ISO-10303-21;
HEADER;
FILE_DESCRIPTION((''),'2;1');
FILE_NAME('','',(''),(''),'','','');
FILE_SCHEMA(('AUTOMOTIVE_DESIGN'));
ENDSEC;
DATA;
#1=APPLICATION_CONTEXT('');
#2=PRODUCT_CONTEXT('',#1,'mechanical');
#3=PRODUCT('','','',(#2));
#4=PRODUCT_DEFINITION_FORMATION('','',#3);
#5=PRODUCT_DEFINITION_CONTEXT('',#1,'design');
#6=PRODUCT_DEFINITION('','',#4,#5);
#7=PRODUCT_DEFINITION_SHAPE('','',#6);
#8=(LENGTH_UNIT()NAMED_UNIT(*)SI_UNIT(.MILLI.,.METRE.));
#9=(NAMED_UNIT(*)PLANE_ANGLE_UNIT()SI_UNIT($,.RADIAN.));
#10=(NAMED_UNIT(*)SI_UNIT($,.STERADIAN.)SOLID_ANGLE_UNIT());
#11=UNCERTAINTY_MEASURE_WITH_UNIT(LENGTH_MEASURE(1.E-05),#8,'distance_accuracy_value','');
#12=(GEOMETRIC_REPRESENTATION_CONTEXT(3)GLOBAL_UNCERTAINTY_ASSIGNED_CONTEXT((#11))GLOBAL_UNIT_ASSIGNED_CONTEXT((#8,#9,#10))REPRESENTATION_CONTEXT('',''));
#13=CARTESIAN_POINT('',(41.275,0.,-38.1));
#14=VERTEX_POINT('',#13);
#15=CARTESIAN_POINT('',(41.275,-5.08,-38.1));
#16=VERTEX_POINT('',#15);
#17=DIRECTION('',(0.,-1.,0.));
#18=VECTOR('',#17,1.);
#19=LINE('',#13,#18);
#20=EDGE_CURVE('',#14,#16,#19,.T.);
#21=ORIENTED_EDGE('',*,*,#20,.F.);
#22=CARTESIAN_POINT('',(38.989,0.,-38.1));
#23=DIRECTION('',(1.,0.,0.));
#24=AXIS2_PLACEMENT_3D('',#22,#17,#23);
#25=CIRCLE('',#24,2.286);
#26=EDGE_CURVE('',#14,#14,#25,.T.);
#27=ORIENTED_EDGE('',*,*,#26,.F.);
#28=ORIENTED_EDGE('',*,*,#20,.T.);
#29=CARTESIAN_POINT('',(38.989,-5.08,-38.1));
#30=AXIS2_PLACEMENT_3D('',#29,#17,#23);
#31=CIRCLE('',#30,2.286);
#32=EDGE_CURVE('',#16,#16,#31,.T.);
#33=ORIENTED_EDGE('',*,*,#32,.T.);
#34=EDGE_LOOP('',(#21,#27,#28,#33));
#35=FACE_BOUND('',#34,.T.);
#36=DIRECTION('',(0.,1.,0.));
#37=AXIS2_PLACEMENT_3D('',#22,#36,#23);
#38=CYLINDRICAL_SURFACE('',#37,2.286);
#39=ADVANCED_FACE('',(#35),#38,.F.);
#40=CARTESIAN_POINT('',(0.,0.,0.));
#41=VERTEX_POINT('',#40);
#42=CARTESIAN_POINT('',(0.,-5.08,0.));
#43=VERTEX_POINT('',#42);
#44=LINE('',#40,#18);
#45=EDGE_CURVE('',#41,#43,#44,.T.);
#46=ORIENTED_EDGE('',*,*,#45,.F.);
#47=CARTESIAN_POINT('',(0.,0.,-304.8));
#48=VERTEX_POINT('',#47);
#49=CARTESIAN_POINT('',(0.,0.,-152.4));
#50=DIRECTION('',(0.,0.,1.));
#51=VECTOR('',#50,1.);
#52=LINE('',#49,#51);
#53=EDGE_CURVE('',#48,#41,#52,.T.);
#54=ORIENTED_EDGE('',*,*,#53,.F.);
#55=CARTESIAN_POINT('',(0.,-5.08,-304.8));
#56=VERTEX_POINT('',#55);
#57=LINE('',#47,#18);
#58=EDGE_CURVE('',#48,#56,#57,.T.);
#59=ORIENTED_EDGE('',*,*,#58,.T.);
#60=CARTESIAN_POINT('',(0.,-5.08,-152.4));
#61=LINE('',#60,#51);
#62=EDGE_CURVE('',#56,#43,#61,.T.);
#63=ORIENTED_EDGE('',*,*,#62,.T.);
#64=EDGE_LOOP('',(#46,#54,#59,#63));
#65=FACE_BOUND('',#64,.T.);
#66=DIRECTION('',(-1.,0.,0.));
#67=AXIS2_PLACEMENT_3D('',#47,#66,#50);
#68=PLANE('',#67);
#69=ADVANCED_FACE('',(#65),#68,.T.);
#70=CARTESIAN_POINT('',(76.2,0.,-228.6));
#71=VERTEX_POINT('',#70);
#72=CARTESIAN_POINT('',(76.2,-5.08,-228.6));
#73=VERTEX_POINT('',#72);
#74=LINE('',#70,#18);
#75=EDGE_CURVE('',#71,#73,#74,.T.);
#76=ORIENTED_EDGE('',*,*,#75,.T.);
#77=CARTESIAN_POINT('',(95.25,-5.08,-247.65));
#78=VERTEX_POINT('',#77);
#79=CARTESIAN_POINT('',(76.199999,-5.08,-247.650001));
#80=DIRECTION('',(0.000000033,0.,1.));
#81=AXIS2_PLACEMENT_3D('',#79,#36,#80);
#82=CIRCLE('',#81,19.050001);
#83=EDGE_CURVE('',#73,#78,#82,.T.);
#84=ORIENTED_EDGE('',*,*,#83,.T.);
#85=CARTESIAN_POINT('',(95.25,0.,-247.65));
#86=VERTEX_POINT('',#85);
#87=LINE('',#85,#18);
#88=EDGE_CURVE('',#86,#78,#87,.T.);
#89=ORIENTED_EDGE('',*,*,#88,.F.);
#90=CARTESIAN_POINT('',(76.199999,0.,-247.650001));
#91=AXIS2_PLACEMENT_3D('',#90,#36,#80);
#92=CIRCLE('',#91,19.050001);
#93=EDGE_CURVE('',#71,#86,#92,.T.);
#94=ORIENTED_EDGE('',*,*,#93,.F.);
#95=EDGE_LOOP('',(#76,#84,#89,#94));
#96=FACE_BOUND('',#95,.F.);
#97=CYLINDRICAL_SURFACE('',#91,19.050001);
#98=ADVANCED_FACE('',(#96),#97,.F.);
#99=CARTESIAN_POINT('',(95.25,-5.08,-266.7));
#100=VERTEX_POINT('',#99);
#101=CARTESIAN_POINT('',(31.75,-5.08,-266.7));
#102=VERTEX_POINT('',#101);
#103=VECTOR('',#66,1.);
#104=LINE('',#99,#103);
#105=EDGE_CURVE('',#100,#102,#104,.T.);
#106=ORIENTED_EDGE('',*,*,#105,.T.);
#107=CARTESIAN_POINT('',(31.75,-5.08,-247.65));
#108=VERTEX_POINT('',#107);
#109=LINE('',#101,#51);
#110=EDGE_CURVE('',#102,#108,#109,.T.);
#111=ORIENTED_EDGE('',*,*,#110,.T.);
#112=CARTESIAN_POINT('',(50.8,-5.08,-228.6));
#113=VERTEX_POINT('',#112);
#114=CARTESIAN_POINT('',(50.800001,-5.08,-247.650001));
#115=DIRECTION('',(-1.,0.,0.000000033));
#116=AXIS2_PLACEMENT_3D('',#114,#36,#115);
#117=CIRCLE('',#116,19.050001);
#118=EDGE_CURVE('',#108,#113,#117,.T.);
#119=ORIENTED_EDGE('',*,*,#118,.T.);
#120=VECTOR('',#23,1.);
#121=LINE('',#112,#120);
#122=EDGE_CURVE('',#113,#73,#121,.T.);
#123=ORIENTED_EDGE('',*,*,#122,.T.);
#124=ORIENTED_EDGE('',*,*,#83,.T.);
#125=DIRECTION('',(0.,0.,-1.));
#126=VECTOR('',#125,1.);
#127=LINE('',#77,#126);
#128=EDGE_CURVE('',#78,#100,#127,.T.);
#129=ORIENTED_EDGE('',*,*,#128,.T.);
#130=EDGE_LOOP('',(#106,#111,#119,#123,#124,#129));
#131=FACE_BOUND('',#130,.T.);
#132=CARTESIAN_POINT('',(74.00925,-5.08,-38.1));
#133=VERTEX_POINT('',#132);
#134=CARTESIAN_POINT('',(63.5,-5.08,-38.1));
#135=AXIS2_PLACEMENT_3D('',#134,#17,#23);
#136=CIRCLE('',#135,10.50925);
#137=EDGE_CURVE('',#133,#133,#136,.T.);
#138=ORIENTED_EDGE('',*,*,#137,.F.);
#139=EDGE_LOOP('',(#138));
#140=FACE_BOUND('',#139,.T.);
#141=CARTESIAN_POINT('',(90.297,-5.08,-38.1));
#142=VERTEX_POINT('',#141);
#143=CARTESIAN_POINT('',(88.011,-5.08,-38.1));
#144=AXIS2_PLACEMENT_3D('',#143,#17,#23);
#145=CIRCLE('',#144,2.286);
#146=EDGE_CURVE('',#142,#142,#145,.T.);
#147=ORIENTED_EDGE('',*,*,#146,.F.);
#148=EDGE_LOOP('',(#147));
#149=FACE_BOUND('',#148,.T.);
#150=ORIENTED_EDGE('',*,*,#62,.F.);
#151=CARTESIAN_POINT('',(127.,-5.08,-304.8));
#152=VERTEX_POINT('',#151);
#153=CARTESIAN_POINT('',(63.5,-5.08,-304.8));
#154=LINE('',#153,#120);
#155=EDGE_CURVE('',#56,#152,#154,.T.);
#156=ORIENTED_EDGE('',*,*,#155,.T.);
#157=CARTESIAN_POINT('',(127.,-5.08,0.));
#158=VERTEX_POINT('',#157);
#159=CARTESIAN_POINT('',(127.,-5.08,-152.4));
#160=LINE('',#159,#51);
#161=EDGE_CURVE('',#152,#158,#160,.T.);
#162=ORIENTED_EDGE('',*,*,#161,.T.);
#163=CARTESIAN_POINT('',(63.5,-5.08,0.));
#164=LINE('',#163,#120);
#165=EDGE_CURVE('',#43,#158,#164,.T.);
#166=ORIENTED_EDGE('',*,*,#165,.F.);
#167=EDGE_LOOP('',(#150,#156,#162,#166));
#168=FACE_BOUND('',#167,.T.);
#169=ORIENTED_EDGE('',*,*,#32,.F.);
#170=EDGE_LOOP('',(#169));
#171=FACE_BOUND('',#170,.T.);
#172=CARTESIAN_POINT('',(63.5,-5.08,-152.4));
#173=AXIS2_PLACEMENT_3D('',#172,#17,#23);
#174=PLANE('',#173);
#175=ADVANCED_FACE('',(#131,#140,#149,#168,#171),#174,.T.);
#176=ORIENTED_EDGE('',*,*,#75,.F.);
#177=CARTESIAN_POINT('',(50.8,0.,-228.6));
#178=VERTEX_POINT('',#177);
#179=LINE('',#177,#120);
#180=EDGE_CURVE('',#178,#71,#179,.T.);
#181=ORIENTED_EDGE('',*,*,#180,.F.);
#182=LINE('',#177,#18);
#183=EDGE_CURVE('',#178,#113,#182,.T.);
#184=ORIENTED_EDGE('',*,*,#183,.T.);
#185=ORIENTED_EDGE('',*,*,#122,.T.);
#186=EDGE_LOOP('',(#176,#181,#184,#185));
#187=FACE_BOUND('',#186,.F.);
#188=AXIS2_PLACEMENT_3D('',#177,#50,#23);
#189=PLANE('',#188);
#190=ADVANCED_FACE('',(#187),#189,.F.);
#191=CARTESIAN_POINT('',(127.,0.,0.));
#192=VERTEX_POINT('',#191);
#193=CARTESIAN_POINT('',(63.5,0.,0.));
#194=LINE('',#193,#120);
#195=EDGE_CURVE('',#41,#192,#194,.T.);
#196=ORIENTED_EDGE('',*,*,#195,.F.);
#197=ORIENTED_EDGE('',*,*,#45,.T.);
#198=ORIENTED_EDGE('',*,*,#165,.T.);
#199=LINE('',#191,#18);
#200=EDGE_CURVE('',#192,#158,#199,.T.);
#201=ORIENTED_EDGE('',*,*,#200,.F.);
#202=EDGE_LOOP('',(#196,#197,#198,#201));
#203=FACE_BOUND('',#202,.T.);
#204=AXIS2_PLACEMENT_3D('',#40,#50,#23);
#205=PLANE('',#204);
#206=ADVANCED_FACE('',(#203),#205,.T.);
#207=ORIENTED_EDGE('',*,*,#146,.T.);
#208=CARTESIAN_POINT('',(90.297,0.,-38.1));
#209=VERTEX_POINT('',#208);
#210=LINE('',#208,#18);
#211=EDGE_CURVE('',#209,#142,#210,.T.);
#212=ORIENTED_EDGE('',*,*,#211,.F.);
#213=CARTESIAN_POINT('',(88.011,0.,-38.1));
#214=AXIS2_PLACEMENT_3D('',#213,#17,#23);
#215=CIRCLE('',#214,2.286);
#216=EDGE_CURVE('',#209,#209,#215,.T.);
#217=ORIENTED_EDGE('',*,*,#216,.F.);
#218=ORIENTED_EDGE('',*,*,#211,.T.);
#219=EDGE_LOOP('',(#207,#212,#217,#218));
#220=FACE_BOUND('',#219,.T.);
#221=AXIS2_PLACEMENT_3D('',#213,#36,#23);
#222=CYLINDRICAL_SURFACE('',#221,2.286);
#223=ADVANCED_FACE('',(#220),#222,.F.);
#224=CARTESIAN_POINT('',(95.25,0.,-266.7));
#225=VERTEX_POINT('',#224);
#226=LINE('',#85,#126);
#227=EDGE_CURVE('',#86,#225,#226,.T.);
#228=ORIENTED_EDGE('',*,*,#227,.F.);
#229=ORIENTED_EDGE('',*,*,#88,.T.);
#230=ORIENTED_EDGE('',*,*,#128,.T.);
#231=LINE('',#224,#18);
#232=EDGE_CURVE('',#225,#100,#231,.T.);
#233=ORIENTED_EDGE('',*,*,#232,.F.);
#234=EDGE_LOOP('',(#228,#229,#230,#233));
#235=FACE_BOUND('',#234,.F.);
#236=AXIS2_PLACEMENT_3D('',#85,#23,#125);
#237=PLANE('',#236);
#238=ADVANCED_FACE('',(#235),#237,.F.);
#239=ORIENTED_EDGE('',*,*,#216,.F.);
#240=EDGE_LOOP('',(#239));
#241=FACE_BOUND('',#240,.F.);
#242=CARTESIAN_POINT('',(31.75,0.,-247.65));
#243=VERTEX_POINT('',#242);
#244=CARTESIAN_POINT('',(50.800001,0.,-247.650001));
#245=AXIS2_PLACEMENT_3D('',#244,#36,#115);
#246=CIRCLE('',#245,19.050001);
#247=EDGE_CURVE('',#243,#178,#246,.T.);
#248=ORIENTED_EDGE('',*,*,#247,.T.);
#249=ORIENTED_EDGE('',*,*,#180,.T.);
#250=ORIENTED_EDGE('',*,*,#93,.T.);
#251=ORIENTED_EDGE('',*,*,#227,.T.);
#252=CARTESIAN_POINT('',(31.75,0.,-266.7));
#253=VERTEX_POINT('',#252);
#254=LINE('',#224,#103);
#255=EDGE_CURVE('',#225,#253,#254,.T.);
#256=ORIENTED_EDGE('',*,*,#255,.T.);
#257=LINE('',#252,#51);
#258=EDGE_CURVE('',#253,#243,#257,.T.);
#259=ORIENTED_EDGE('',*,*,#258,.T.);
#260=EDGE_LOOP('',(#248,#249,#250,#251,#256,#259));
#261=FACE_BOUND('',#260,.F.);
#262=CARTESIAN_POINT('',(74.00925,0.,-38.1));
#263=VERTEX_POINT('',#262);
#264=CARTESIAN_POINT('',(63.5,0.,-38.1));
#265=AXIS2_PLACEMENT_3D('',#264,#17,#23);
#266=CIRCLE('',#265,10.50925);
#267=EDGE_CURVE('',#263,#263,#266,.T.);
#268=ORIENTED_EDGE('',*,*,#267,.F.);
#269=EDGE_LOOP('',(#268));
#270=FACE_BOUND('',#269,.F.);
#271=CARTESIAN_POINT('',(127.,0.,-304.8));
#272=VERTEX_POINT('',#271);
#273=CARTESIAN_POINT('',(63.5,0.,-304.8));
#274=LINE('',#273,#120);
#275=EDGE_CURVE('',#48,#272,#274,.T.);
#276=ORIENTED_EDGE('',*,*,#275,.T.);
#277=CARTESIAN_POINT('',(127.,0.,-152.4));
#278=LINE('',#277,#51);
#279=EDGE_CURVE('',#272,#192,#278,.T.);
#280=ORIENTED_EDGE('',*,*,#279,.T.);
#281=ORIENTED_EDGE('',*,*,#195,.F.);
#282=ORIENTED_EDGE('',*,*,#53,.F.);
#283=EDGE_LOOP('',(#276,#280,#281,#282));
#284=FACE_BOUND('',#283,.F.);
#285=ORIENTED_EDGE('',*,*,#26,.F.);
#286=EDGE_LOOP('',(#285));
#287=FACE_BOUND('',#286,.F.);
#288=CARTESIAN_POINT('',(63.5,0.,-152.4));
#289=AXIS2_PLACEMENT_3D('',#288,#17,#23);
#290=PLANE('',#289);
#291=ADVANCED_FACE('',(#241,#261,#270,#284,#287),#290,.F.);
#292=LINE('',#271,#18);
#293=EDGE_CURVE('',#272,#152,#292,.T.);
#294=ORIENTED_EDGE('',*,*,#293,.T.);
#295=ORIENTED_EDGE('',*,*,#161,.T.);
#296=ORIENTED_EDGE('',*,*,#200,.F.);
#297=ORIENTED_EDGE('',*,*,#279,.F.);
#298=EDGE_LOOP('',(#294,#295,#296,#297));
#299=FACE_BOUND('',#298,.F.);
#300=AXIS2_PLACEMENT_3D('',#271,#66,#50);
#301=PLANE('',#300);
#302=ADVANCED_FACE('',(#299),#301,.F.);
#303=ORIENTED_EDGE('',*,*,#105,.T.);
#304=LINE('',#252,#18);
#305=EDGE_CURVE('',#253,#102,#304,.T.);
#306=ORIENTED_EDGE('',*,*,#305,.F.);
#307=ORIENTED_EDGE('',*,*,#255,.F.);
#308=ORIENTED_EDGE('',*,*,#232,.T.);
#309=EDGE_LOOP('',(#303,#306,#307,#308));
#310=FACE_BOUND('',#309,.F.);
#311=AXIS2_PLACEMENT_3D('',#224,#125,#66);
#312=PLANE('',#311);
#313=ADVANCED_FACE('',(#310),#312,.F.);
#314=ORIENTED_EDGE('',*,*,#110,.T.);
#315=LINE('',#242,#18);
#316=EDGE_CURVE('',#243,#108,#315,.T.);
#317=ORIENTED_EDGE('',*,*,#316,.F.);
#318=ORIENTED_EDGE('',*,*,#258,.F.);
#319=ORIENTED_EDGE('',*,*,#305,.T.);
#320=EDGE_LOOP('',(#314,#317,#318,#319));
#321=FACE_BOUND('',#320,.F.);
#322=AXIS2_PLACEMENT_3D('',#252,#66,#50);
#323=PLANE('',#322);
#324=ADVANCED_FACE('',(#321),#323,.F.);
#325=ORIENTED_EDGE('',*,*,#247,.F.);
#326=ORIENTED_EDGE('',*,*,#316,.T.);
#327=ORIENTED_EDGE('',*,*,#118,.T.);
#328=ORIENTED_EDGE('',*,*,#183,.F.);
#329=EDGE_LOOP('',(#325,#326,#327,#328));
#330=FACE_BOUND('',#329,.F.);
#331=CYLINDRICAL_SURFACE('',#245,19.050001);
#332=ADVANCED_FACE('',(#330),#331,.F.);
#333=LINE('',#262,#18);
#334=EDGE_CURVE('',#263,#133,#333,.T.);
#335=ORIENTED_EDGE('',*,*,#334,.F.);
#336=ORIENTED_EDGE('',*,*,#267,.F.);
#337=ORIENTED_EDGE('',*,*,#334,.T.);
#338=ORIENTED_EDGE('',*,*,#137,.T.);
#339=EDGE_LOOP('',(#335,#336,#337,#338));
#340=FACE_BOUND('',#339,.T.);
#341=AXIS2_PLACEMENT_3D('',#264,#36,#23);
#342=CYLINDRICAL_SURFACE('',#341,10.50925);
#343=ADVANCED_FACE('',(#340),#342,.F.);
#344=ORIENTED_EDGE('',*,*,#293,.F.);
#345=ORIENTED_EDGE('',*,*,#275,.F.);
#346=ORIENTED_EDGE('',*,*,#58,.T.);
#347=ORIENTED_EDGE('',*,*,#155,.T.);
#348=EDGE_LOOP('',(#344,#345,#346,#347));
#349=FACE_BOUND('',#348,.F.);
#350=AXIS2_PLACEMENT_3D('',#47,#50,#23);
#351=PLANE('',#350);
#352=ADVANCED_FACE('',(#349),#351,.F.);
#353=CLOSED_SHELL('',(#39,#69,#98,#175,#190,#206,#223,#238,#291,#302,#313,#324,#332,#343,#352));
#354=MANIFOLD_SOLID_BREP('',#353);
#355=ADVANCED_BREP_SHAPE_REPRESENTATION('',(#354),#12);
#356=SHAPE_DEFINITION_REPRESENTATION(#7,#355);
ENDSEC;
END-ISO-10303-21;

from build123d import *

# Parameters (mm, degrees)
F0_W     = 127
F0_H     = 304.8
F0_R     = 2.286
F0_R_2   = 10.50925
F1_DEPTH = 5.08


with BuildPart() as f1:
    # F0 (on Front) → F1 (new body)
    with BuildSketch(Plane.XZ):
        with Locations((63.5, -152.4)):
            Rectangle(F0_W, F0_H)
        with BuildLine():
            Line((95.25, -266.7), (31.75, -266.7))
            Line((31.75, -266.7), (31.75, -247.65))
            ThreePointArc((31.75, -247.65), (37.329616, -234.179616), (50.8, -228.6))
            Line((50.8, -228.6), (76.2, -228.6))
            ThreePointArc((76.2, -228.6), (89.670384, -234.179616), (95.25, -247.65))
            Line((95.25, -247.65), (95.25, -266.7))
        make_face(mode=Mode.SUBTRACT)
        with Locations((38.989, -38.1)):
            Circle(F0_R, mode=Mode.SUBTRACT)
        with Locations((63.5, -38.1)):
            Circle(F0_R_2, mode=Mode.SUBTRACT)
        with Locations((88.011, -38.1)):
            Circle(F0_R, mode=Mode.SUBTRACT)
    extrude(amount=F1_DEPTH)


solid = f1.part
